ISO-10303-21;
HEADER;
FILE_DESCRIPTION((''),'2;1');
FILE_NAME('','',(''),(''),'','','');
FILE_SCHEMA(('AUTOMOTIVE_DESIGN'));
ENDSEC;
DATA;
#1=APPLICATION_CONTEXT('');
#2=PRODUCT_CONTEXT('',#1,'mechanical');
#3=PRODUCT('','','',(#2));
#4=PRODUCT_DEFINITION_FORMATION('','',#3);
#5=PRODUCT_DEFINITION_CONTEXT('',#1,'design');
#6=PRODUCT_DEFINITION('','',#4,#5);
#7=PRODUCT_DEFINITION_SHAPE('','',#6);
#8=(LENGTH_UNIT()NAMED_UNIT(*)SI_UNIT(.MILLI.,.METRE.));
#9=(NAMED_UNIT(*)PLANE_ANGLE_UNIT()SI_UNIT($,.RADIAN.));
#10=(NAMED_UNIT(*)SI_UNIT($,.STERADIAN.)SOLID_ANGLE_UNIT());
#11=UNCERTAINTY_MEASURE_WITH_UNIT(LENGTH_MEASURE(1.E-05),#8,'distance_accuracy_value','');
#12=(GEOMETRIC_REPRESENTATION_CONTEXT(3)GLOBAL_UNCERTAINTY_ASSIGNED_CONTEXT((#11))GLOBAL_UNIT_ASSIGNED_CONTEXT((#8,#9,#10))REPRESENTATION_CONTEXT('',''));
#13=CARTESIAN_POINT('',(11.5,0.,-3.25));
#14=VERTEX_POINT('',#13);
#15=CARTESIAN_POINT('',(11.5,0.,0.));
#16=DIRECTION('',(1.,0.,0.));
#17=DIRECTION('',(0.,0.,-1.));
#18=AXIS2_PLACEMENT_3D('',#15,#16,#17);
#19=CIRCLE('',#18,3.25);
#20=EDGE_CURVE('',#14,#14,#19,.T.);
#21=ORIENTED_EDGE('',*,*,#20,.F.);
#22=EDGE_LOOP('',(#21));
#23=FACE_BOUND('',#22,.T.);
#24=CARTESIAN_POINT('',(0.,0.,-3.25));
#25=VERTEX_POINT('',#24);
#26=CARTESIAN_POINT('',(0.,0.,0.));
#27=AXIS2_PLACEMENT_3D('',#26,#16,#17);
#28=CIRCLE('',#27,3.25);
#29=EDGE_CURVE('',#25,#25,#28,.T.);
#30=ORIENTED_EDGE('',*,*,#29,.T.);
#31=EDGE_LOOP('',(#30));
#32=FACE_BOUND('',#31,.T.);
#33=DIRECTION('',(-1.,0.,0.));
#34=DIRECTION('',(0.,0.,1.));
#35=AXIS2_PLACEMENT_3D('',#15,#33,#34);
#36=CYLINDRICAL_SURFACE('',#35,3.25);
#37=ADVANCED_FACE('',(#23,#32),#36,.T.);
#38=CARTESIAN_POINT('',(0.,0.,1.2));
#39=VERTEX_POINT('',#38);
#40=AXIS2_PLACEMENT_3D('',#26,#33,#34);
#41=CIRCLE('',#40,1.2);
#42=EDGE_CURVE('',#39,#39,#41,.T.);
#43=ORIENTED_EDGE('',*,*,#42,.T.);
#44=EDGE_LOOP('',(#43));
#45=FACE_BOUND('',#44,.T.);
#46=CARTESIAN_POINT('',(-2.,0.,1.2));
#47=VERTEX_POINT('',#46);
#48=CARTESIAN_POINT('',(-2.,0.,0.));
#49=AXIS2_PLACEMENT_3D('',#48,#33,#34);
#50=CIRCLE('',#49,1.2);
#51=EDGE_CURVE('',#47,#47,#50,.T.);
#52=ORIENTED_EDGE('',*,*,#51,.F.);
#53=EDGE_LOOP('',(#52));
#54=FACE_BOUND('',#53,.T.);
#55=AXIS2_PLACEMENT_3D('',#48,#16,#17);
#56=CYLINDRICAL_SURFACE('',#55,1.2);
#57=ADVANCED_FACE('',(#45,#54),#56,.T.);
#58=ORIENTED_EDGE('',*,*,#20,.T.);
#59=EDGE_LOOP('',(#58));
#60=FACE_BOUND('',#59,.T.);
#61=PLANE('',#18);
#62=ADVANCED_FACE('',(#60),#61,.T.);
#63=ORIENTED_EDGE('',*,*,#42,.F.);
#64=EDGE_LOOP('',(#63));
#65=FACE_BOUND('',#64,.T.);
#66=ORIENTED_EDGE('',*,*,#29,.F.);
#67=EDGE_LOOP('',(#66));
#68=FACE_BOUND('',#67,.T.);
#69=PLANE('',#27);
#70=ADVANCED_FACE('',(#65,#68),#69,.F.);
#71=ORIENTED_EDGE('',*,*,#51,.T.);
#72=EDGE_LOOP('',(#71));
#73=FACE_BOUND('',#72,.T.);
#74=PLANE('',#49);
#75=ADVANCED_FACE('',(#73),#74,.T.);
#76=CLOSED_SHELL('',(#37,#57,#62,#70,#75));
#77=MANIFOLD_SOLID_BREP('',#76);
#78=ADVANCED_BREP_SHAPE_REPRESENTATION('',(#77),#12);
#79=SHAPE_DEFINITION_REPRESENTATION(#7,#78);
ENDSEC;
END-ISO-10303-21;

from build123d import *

# Parameters (mm, degrees)
SKETCH_1_R      = 3.25
EXTRUDE_1_DEPTH = 11.5
SKETCH_2_R      = 1.2
EXTRUDE_2_DEPTH = 2


with BuildPart() as part:
    # 草图1 → 凸台-拉伸1 (new body)
    with BuildSketch(Plane(origin=(0, 0, 0), x_dir=(0, 0, -1), z_dir=(1, 0, 0))):
        Circle(SKETCH_1_R)
    extrude(amount=EXTRUDE_1_DEPTH)

    # 草图2 → 凸台-拉伸2 (add)
    with BuildSketch(Plane.ZY):
        Circle(SKETCH_2_R)
    extrude(amount=EXTRUDE_2_DEPTH)


solid = part.part
